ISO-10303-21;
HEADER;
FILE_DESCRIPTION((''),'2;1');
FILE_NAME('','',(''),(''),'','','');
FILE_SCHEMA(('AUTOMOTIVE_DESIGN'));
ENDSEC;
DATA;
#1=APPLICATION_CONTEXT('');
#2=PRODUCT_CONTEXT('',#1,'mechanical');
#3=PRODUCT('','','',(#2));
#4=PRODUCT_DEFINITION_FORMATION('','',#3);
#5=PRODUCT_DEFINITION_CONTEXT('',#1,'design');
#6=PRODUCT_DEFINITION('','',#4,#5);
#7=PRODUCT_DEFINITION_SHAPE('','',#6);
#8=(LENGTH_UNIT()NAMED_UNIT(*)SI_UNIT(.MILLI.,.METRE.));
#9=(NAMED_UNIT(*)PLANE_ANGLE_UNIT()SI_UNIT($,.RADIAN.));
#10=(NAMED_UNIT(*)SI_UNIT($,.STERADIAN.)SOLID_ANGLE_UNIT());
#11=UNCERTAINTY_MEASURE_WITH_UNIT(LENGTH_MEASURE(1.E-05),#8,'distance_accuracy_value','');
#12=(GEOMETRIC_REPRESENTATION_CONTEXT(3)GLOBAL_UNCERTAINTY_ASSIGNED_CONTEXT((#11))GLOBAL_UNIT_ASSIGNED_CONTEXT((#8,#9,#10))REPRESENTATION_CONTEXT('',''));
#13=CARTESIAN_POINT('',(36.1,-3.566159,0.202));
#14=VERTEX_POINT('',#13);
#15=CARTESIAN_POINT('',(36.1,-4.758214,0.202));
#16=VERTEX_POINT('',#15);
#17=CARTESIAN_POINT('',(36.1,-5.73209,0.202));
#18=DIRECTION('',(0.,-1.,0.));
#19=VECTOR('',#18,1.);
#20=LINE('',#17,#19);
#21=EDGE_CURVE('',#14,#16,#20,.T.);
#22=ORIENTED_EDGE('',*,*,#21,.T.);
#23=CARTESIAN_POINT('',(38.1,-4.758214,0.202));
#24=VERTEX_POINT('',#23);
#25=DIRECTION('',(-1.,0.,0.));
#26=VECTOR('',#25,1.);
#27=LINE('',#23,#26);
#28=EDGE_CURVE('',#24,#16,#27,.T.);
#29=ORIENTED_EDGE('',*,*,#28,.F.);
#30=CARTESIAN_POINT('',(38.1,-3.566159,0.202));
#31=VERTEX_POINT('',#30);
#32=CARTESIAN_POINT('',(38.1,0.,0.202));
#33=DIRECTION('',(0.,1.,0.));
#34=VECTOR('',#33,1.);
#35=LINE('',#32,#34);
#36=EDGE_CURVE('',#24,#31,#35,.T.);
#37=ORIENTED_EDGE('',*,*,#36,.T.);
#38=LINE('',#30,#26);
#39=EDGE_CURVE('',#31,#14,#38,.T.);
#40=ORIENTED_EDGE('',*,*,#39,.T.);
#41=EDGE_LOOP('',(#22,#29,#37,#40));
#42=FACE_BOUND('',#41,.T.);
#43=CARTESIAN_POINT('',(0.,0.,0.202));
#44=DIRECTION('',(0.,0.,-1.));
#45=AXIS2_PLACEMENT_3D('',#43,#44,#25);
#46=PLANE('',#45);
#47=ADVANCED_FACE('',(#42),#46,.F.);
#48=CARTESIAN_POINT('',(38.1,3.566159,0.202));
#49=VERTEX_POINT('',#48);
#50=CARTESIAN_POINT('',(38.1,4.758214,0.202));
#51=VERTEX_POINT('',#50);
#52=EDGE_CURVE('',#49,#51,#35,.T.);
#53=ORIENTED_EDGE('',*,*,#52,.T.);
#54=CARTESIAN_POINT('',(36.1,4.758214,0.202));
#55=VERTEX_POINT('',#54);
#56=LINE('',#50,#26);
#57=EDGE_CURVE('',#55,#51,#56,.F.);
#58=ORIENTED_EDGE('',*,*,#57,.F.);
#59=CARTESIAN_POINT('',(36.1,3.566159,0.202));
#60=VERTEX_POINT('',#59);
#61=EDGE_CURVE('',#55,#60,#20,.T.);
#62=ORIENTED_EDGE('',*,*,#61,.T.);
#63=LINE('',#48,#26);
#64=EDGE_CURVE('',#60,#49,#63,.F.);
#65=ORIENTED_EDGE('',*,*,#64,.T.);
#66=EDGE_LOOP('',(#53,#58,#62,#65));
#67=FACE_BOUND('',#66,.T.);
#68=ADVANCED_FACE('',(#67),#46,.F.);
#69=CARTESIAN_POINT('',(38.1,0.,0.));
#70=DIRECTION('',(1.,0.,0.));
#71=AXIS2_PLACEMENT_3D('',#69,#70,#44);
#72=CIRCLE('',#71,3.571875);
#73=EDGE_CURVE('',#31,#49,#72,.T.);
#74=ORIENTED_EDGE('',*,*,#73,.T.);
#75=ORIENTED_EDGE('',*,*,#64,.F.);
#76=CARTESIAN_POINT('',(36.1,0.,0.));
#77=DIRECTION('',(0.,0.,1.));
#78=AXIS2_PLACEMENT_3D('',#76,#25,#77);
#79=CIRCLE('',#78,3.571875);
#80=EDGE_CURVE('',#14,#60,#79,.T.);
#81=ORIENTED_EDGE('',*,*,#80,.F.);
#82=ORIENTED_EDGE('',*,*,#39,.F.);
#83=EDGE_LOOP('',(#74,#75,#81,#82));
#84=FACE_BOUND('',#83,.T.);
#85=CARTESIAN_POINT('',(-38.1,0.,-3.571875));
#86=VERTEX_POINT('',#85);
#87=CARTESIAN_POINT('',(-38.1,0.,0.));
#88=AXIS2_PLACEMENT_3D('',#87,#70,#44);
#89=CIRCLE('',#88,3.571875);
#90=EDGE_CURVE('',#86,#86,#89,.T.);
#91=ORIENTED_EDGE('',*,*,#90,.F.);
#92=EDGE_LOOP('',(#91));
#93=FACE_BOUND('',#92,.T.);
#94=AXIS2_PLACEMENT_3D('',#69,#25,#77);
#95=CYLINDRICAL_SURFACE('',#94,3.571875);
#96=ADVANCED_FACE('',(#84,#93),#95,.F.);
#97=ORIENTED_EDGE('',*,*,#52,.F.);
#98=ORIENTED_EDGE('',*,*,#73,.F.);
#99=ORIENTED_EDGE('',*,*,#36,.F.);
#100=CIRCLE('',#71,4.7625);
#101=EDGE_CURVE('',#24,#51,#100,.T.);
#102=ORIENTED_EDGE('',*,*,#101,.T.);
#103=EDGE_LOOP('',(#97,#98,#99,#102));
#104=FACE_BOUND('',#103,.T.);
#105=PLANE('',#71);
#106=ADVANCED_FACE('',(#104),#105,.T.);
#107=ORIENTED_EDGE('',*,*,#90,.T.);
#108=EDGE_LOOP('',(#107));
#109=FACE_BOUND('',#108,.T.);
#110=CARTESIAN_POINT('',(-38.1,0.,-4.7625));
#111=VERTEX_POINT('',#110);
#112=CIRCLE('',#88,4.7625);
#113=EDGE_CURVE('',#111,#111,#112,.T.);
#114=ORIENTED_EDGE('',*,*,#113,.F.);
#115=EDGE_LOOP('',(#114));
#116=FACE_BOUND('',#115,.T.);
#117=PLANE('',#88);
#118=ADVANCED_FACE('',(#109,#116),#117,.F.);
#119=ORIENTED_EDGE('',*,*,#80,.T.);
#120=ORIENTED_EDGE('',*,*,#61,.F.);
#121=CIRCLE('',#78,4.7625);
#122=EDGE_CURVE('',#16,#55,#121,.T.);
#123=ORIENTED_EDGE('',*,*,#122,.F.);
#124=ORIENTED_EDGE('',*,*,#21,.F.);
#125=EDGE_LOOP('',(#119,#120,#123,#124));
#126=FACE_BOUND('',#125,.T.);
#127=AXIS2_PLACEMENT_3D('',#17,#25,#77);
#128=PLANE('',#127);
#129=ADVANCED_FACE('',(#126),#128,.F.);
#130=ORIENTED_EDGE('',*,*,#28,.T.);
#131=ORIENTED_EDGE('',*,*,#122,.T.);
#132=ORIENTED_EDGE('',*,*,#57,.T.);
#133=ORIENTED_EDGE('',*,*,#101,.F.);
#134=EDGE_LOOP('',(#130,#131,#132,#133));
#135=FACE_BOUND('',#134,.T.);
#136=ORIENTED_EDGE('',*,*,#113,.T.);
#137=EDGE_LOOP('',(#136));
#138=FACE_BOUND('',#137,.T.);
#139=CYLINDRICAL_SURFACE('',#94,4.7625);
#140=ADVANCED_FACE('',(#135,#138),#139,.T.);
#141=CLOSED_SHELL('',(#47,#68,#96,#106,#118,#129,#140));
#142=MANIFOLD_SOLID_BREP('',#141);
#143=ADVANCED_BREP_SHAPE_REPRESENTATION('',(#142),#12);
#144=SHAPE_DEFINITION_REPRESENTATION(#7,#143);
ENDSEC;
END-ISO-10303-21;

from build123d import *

# Parameters (mm, degrees)
SKETCH3_R           = 4.7625
SKETCH3_R_2         = 3.571875
BOSS_EXTRUDE1_DEPTH = 38.1
SKETCH4_W           = 4
SKETCH4_H           = 11.464180208
CUT_EXTRUDE1_DEPTH  = 34.798


with BuildPart() as part:
    # Sketch3 → Boss-Extrude1 (new, symmetric)
    with BuildSketch(Plane(origin=(0, 0, 0), x_dir=(0, 0, -1), z_dir=(1, 0, 0))):
        with Locations(Location((0, 0, 0), (0, 0, 180))):
            Circle(SKETCH3_R)
        with Locations(Location((0, 0, 0), (0, 0, 180))):
            Circle(SKETCH3_R_2, mode=Mode.SUBTRACT)
    extrude(amount=BOSS_EXTRUDE1_DEPTH, both=True)

    # Sketch4 → Cut-Extrude1 (cut)
    with BuildSketch(Plane.XY.offset(35)):
        with Locations((38.1, 0)):
            Rectangle(SKETCH4_W, SKETCH4_H)
    extrude(amount=-CUT_EXTRUDE1_DEPTH, mode=Mode.SUBTRACT)


solid = part.part
